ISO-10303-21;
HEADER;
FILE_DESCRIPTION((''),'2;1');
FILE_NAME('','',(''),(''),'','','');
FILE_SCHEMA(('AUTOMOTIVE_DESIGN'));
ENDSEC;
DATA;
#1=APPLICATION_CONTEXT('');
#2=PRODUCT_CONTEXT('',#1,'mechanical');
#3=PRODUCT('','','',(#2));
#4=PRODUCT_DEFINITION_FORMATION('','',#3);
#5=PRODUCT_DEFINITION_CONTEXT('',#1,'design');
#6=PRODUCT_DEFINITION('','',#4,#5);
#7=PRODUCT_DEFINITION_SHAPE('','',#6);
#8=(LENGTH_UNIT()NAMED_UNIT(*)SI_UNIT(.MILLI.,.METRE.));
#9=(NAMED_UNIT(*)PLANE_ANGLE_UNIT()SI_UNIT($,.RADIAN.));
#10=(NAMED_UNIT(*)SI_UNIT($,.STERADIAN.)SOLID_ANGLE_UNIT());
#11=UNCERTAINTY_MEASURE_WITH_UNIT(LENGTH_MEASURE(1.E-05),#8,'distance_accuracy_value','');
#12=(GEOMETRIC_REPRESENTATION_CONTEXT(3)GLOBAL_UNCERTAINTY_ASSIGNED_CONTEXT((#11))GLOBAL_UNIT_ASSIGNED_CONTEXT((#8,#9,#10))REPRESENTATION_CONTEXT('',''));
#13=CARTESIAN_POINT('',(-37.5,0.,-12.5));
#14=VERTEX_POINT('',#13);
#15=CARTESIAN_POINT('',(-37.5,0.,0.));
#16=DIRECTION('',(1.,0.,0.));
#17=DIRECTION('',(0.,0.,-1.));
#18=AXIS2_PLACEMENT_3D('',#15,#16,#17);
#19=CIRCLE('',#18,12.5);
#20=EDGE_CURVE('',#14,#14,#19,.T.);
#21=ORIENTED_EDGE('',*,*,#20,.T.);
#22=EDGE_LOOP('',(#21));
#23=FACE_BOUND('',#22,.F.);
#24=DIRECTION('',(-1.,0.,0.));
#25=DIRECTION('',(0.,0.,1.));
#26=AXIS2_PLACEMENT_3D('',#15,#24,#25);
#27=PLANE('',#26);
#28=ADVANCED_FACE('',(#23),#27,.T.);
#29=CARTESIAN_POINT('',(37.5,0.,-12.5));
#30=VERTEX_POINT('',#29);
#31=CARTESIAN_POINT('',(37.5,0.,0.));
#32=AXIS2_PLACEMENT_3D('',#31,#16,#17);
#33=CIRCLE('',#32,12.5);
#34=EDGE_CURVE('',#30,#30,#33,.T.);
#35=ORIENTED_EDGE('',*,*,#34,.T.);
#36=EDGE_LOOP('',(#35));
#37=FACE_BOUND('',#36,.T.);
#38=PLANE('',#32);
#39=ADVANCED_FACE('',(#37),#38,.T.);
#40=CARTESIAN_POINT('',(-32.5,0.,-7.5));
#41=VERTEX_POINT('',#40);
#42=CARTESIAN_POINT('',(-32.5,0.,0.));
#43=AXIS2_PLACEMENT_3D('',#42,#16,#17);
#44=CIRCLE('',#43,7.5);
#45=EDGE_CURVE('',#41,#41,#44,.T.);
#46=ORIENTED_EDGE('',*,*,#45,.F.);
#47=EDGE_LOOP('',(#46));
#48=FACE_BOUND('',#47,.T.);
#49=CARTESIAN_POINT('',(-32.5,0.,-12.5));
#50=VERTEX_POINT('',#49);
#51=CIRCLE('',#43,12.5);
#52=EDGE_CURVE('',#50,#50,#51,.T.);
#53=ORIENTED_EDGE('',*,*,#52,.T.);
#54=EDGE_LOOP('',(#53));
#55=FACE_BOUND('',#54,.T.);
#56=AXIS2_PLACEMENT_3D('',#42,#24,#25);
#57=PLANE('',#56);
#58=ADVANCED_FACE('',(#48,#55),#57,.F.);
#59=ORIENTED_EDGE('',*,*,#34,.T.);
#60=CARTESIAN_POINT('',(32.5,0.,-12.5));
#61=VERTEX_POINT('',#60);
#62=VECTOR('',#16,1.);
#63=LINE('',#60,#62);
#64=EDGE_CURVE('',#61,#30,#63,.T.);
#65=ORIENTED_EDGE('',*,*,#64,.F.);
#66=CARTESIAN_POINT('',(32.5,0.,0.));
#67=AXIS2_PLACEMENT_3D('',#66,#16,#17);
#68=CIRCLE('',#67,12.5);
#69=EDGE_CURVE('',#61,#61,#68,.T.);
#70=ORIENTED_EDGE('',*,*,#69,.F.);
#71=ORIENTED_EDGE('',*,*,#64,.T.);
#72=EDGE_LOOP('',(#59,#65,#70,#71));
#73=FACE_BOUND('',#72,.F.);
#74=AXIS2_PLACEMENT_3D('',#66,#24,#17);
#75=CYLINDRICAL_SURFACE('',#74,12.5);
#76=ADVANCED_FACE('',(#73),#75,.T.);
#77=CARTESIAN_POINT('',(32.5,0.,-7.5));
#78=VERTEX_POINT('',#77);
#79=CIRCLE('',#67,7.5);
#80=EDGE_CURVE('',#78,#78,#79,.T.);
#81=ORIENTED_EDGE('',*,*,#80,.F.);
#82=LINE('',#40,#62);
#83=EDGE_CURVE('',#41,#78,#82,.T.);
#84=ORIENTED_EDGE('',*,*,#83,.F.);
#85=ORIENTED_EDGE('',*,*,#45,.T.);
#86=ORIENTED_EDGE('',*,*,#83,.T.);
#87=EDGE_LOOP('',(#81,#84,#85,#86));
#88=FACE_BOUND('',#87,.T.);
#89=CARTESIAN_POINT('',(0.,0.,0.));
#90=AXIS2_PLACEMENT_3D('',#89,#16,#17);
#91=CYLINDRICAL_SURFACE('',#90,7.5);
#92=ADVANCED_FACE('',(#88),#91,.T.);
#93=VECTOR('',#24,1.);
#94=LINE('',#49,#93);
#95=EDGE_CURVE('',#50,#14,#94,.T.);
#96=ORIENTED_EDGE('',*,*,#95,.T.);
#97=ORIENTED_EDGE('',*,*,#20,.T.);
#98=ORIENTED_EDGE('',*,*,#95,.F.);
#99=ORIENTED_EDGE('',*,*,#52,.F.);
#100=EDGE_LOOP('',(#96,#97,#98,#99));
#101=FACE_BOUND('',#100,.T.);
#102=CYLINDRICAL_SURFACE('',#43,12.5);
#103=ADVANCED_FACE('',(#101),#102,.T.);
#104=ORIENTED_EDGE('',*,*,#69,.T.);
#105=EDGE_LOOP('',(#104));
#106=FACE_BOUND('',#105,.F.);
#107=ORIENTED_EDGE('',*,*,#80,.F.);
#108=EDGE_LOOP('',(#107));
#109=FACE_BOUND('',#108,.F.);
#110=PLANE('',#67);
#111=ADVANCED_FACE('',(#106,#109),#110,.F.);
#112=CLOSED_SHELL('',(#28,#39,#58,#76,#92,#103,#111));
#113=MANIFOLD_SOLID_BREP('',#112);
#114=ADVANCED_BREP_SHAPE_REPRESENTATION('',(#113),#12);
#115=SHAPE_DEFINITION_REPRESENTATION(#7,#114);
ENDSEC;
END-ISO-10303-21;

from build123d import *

# Parameters (mm, degrees)
SKETCH1_R           = 7.5
BOSS_EXTRUDE1_DEPTH = 32.5
SKETCH4_R           = 12.5
BOSS_EXTRUDE3_DEPTH = 5


with BuildPart() as part:
    # Sketch1 → Boss-Extrude1 (new, symmetric)
    with BuildSketch(Plane(origin=(0, 0, 0), x_dir=(0, 0, -1), z_dir=(1, 0, 0))):
        Circle(SKETCH1_R)
    extrude(amount=BOSS_EXTRUDE1_DEPTH, both=True)

    # Sketch4 → Boss-Extrude3 (add)
    with BuildSketch(Plane(origin=(32.5, 0, 0), x_dir=(0, 0, -1), z_dir=(1, 0, 0))):
        Circle(SKETCH4_R)
    boss_extrude3 = extrude(amount=BOSS_EXTRUDE3_DEPTH)

    # Mirror1: Boss-Extrude3 across plane
    add(boss_extrude3.mirror(Plane(origin=(0, 0, 0), x_dir=(0, 0, 1), z_dir=(1, 0, 0))))


solid = part.part
